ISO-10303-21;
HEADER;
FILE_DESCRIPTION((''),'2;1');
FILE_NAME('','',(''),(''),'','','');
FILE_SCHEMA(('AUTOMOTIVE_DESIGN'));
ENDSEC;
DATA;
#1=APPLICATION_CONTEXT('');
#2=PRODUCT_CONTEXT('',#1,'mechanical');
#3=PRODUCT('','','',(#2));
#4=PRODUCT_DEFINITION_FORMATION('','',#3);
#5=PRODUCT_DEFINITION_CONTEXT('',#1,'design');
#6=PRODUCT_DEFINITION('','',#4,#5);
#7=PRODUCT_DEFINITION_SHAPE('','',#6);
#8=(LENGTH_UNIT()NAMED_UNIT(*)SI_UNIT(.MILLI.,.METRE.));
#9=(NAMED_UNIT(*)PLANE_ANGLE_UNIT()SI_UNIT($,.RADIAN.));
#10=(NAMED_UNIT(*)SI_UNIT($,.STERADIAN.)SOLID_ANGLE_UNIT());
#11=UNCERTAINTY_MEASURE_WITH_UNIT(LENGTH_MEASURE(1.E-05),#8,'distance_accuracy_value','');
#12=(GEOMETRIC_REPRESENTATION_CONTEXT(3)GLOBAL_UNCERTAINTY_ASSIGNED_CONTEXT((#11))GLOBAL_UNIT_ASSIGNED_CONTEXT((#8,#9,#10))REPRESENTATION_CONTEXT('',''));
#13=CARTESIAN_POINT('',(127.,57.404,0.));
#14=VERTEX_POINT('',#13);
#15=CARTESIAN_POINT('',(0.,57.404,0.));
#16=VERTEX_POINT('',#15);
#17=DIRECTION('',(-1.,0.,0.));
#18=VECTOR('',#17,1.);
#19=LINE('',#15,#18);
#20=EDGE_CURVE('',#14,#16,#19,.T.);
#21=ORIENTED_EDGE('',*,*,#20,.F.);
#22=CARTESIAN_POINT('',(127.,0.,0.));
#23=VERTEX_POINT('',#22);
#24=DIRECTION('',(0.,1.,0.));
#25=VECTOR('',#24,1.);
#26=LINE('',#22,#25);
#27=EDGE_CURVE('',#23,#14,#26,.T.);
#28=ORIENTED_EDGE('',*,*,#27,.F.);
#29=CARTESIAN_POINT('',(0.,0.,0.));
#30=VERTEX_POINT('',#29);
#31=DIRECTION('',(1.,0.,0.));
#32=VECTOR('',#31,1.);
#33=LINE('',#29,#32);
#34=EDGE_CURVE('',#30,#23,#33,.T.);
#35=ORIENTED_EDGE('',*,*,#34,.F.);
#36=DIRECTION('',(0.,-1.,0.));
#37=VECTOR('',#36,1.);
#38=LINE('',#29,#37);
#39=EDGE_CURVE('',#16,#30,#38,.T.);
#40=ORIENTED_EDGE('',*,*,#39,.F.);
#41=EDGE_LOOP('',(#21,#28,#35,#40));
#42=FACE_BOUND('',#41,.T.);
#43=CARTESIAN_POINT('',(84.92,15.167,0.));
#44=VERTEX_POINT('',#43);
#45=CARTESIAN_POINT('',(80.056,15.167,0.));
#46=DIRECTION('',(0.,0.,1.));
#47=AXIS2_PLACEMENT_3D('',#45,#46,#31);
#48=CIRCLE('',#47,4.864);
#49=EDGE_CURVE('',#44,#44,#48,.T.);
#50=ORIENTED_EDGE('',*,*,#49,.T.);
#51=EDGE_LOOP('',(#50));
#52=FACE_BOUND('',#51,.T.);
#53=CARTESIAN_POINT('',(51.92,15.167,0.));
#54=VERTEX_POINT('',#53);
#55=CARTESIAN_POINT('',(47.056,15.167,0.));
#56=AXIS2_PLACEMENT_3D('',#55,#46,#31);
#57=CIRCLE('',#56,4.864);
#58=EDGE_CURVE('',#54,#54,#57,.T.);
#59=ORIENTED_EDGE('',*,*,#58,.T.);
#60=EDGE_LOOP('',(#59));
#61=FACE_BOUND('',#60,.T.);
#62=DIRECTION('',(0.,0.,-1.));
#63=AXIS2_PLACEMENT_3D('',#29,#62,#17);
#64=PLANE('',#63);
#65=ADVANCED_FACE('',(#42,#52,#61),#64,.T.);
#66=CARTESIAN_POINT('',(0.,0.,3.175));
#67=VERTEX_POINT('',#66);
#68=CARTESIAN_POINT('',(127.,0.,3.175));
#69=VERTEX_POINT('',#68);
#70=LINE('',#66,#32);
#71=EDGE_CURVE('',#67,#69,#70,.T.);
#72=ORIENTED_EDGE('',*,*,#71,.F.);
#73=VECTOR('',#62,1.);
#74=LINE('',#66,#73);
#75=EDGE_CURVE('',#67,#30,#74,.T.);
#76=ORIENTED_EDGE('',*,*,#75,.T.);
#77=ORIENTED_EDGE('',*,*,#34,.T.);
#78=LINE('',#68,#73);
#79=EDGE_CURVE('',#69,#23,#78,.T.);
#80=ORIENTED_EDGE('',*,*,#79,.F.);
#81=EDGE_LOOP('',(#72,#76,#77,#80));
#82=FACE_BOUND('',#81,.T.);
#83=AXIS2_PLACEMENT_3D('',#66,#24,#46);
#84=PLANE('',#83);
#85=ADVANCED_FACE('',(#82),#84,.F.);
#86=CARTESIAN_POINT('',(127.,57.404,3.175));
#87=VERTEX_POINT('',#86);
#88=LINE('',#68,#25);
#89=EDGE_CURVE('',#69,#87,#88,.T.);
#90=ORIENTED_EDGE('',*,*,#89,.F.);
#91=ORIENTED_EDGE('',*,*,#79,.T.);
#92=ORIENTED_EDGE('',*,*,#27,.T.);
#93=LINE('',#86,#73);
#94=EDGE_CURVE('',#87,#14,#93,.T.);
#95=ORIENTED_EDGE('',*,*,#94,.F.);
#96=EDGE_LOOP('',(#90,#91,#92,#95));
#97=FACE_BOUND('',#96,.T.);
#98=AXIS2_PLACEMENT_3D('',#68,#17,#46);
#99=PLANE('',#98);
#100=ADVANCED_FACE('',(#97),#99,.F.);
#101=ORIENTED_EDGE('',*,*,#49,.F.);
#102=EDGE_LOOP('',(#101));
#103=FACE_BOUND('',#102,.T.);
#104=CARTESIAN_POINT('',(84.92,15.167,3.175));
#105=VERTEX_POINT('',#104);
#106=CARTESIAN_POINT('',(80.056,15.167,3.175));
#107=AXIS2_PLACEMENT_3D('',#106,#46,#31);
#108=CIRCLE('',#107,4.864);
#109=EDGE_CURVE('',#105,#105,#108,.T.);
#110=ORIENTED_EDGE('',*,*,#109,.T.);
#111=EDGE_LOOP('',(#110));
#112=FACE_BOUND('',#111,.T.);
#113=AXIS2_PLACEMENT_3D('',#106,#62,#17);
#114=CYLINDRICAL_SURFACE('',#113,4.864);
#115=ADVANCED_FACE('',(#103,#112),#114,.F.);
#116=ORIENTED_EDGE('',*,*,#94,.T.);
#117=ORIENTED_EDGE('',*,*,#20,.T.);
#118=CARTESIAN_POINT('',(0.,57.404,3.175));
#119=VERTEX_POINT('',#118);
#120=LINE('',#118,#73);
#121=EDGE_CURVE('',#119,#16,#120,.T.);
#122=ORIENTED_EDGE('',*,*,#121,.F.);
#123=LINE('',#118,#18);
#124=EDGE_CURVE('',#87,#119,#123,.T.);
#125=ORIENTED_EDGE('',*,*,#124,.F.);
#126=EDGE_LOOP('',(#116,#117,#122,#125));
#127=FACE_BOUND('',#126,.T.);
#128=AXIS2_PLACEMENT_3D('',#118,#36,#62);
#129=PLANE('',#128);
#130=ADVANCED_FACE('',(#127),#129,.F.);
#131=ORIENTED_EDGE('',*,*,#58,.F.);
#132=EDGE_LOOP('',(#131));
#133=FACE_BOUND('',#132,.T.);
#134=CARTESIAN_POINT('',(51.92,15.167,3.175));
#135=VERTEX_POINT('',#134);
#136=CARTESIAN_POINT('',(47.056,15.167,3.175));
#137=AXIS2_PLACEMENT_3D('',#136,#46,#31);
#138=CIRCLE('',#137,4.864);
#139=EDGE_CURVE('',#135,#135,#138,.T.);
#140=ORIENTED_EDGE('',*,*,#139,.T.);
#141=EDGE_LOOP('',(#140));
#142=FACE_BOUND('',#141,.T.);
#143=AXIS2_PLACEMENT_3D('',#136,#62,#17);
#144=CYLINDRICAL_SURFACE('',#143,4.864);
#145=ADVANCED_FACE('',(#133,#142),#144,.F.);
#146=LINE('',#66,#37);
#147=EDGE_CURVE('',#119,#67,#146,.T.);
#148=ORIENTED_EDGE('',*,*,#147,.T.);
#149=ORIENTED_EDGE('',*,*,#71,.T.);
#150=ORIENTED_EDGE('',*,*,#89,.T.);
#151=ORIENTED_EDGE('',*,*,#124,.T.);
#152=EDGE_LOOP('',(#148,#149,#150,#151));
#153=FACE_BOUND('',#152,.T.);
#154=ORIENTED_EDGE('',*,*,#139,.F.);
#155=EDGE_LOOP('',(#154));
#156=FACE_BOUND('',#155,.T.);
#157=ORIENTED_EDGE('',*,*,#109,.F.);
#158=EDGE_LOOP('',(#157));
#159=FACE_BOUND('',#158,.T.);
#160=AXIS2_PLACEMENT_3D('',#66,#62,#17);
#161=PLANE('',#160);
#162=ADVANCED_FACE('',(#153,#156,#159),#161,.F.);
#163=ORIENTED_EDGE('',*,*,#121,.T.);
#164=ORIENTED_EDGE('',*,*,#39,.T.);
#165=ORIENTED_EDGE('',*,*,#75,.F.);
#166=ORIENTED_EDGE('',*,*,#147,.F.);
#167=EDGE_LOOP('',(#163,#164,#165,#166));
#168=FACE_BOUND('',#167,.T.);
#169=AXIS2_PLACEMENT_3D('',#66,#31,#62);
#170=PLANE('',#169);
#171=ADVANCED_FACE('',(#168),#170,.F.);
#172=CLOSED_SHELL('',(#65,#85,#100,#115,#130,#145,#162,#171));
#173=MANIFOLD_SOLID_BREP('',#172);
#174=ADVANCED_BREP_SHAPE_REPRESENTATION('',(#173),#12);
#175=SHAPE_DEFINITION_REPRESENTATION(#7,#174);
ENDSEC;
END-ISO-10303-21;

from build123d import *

# Parameters (mm, degrees)
SKETCH1_W           = 127
SKETCH1_H           = 57.404
SKETCH1_R           = 4.864
BOSS_EXTRUDE1_DEPTH = 3.175


with BuildPart() as part:
    # Sketch1 → Boss-Extrude1 (new body)
    with BuildSketch(Plane.XY):
        with Locations((63.5, 28.702)):
            Rectangle(SKETCH1_W, SKETCH1_H)
        with Locations((80.056, 15.167)):
            Circle(SKETCH1_R, mode=Mode.SUBTRACT)
        with Locations((47.056, 15.167)):
            Circle(SKETCH1_R, mode=Mode.SUBTRACT)
    extrude(amount=BOSS_EXTRUDE1_DEPTH)


solid = part.part
